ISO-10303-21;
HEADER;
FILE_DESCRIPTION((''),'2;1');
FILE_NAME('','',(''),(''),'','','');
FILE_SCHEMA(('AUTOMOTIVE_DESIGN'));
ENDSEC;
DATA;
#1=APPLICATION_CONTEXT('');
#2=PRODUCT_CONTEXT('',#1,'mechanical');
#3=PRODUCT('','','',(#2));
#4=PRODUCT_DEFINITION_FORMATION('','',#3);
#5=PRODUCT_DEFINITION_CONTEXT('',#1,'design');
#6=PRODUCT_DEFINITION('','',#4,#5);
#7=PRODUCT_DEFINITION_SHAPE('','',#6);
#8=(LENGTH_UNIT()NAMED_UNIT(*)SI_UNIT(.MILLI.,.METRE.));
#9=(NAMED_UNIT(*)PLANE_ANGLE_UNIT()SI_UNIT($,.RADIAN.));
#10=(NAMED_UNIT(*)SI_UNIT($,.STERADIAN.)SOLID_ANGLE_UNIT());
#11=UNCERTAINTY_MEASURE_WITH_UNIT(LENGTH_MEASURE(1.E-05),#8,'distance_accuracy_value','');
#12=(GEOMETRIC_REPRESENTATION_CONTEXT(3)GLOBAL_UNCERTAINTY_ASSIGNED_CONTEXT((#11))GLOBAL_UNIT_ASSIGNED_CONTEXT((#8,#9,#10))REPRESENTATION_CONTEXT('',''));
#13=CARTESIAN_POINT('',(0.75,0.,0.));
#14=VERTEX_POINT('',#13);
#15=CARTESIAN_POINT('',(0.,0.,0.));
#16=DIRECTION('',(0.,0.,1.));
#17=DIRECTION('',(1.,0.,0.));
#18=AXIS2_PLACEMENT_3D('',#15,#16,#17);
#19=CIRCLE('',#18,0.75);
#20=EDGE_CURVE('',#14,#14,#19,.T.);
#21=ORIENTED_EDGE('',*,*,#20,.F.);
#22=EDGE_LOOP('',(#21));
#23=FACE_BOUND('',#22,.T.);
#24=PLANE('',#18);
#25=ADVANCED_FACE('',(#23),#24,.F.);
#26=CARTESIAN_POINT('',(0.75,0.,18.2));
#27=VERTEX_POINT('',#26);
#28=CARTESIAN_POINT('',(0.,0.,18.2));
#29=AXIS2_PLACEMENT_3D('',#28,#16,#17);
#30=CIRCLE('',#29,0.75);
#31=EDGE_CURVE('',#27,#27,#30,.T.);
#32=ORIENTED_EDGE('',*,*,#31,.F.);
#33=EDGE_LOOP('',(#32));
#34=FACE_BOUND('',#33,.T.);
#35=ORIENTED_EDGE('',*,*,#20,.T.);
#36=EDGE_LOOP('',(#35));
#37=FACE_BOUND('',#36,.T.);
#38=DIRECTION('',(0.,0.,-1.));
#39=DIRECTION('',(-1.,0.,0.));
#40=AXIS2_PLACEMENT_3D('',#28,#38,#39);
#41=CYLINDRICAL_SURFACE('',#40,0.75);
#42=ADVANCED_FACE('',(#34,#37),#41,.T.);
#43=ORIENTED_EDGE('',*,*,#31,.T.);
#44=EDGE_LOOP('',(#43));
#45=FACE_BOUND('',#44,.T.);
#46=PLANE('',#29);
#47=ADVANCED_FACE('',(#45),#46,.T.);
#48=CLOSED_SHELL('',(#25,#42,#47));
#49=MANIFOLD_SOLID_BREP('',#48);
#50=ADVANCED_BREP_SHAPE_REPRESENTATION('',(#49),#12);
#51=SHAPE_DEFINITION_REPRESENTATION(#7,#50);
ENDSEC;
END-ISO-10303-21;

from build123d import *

# Parameters (mm, degrees)
SKETCH_2_R      = 0.75
EXTRUDE_1_DEPTH = 18.2


with BuildPart() as part:
    # 草图2 → 凸台-拉伸1 (new body)
    with BuildSketch(Plane.XY):
        Circle(SKETCH_2_R)
    extrude(amount=EXTRUDE_1_DEPTH)


solid = part.part
